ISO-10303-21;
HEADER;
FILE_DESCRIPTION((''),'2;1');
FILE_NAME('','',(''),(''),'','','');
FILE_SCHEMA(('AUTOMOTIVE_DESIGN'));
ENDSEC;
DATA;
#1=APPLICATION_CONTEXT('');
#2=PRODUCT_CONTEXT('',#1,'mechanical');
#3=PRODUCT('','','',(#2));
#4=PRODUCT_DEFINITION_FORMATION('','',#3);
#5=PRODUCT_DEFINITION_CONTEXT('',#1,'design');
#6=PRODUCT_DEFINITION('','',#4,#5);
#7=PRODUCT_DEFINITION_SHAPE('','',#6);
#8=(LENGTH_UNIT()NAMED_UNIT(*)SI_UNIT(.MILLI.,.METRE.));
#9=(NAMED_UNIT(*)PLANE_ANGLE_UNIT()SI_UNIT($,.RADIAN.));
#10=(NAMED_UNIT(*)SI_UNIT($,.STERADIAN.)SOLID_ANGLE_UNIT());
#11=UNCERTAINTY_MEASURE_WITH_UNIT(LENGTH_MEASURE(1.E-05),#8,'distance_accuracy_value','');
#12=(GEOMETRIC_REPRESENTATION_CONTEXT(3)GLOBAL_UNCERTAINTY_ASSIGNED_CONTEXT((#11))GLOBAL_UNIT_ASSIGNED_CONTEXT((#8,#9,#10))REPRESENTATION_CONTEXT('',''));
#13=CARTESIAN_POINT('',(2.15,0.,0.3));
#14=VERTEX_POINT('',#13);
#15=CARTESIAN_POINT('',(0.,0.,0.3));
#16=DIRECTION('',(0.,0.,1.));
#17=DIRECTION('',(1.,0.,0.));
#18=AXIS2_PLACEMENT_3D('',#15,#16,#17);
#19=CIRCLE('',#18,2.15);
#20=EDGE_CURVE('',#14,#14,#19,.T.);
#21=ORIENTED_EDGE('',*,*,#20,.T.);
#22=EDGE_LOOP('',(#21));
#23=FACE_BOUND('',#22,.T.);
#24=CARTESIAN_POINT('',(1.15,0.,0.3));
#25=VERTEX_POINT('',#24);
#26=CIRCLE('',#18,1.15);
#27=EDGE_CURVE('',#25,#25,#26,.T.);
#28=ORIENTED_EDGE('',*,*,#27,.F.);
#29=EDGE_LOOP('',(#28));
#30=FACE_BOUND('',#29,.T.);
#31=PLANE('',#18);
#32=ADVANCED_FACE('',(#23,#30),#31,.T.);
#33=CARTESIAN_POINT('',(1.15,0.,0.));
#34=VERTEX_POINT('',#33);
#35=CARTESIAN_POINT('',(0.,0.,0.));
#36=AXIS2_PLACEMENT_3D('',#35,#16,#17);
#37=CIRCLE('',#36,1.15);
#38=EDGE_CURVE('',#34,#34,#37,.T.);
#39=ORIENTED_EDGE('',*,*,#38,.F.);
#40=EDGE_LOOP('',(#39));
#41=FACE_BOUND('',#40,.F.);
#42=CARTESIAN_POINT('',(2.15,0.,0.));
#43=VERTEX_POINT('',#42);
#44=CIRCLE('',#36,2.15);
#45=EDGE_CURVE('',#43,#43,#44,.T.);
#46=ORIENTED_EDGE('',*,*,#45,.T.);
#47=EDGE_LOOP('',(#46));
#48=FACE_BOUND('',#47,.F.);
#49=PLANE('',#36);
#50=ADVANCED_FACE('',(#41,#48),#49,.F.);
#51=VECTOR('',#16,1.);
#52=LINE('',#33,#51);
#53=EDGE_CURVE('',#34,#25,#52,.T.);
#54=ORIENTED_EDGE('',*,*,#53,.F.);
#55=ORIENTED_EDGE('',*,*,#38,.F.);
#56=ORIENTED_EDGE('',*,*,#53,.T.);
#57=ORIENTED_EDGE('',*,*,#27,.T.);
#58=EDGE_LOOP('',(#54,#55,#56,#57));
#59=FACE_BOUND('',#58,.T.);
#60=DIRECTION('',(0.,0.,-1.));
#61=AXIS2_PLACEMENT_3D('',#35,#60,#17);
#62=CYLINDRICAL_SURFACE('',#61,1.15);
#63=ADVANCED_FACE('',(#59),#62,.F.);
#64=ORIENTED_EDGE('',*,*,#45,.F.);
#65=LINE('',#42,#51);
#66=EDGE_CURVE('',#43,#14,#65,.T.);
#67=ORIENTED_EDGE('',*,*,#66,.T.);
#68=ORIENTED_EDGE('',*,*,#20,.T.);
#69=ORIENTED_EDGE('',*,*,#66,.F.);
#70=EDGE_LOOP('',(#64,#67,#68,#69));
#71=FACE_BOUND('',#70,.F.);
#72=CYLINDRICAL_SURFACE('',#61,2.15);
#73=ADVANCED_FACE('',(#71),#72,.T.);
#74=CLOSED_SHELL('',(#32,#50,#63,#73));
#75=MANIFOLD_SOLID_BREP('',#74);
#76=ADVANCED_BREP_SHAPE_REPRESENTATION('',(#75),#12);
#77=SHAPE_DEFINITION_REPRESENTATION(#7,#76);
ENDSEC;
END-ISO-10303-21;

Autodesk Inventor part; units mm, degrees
ref_plane "YZ Plane" through (0, 0, 0) normal (1, 0, 0) x (0, 1, 0)
ref_plane "XZ Plane" through (0, 0, 0) normal (0, 1, 0) x (-1, 0, 0)
ref_plane "XY Plane" through (0, 0, 0) normal (0, 0, 1) x (1, 0, 0)
sketch "スケッチ1" plane through (0, 0, 0) normal (0, 0, 1) x (1, 0, 0)
  circle A0 centre (0, 0) radius 1.15
  circle A1 centre (0, 0) radius 2.15
  dimension "d0" = 2.3
  dimension "d1" = 4.3
extrude "押し出し1" add sketch "スケッチ1" along normal blind 0.3
properties part number "WasherM2Ph4.3T0.3"
